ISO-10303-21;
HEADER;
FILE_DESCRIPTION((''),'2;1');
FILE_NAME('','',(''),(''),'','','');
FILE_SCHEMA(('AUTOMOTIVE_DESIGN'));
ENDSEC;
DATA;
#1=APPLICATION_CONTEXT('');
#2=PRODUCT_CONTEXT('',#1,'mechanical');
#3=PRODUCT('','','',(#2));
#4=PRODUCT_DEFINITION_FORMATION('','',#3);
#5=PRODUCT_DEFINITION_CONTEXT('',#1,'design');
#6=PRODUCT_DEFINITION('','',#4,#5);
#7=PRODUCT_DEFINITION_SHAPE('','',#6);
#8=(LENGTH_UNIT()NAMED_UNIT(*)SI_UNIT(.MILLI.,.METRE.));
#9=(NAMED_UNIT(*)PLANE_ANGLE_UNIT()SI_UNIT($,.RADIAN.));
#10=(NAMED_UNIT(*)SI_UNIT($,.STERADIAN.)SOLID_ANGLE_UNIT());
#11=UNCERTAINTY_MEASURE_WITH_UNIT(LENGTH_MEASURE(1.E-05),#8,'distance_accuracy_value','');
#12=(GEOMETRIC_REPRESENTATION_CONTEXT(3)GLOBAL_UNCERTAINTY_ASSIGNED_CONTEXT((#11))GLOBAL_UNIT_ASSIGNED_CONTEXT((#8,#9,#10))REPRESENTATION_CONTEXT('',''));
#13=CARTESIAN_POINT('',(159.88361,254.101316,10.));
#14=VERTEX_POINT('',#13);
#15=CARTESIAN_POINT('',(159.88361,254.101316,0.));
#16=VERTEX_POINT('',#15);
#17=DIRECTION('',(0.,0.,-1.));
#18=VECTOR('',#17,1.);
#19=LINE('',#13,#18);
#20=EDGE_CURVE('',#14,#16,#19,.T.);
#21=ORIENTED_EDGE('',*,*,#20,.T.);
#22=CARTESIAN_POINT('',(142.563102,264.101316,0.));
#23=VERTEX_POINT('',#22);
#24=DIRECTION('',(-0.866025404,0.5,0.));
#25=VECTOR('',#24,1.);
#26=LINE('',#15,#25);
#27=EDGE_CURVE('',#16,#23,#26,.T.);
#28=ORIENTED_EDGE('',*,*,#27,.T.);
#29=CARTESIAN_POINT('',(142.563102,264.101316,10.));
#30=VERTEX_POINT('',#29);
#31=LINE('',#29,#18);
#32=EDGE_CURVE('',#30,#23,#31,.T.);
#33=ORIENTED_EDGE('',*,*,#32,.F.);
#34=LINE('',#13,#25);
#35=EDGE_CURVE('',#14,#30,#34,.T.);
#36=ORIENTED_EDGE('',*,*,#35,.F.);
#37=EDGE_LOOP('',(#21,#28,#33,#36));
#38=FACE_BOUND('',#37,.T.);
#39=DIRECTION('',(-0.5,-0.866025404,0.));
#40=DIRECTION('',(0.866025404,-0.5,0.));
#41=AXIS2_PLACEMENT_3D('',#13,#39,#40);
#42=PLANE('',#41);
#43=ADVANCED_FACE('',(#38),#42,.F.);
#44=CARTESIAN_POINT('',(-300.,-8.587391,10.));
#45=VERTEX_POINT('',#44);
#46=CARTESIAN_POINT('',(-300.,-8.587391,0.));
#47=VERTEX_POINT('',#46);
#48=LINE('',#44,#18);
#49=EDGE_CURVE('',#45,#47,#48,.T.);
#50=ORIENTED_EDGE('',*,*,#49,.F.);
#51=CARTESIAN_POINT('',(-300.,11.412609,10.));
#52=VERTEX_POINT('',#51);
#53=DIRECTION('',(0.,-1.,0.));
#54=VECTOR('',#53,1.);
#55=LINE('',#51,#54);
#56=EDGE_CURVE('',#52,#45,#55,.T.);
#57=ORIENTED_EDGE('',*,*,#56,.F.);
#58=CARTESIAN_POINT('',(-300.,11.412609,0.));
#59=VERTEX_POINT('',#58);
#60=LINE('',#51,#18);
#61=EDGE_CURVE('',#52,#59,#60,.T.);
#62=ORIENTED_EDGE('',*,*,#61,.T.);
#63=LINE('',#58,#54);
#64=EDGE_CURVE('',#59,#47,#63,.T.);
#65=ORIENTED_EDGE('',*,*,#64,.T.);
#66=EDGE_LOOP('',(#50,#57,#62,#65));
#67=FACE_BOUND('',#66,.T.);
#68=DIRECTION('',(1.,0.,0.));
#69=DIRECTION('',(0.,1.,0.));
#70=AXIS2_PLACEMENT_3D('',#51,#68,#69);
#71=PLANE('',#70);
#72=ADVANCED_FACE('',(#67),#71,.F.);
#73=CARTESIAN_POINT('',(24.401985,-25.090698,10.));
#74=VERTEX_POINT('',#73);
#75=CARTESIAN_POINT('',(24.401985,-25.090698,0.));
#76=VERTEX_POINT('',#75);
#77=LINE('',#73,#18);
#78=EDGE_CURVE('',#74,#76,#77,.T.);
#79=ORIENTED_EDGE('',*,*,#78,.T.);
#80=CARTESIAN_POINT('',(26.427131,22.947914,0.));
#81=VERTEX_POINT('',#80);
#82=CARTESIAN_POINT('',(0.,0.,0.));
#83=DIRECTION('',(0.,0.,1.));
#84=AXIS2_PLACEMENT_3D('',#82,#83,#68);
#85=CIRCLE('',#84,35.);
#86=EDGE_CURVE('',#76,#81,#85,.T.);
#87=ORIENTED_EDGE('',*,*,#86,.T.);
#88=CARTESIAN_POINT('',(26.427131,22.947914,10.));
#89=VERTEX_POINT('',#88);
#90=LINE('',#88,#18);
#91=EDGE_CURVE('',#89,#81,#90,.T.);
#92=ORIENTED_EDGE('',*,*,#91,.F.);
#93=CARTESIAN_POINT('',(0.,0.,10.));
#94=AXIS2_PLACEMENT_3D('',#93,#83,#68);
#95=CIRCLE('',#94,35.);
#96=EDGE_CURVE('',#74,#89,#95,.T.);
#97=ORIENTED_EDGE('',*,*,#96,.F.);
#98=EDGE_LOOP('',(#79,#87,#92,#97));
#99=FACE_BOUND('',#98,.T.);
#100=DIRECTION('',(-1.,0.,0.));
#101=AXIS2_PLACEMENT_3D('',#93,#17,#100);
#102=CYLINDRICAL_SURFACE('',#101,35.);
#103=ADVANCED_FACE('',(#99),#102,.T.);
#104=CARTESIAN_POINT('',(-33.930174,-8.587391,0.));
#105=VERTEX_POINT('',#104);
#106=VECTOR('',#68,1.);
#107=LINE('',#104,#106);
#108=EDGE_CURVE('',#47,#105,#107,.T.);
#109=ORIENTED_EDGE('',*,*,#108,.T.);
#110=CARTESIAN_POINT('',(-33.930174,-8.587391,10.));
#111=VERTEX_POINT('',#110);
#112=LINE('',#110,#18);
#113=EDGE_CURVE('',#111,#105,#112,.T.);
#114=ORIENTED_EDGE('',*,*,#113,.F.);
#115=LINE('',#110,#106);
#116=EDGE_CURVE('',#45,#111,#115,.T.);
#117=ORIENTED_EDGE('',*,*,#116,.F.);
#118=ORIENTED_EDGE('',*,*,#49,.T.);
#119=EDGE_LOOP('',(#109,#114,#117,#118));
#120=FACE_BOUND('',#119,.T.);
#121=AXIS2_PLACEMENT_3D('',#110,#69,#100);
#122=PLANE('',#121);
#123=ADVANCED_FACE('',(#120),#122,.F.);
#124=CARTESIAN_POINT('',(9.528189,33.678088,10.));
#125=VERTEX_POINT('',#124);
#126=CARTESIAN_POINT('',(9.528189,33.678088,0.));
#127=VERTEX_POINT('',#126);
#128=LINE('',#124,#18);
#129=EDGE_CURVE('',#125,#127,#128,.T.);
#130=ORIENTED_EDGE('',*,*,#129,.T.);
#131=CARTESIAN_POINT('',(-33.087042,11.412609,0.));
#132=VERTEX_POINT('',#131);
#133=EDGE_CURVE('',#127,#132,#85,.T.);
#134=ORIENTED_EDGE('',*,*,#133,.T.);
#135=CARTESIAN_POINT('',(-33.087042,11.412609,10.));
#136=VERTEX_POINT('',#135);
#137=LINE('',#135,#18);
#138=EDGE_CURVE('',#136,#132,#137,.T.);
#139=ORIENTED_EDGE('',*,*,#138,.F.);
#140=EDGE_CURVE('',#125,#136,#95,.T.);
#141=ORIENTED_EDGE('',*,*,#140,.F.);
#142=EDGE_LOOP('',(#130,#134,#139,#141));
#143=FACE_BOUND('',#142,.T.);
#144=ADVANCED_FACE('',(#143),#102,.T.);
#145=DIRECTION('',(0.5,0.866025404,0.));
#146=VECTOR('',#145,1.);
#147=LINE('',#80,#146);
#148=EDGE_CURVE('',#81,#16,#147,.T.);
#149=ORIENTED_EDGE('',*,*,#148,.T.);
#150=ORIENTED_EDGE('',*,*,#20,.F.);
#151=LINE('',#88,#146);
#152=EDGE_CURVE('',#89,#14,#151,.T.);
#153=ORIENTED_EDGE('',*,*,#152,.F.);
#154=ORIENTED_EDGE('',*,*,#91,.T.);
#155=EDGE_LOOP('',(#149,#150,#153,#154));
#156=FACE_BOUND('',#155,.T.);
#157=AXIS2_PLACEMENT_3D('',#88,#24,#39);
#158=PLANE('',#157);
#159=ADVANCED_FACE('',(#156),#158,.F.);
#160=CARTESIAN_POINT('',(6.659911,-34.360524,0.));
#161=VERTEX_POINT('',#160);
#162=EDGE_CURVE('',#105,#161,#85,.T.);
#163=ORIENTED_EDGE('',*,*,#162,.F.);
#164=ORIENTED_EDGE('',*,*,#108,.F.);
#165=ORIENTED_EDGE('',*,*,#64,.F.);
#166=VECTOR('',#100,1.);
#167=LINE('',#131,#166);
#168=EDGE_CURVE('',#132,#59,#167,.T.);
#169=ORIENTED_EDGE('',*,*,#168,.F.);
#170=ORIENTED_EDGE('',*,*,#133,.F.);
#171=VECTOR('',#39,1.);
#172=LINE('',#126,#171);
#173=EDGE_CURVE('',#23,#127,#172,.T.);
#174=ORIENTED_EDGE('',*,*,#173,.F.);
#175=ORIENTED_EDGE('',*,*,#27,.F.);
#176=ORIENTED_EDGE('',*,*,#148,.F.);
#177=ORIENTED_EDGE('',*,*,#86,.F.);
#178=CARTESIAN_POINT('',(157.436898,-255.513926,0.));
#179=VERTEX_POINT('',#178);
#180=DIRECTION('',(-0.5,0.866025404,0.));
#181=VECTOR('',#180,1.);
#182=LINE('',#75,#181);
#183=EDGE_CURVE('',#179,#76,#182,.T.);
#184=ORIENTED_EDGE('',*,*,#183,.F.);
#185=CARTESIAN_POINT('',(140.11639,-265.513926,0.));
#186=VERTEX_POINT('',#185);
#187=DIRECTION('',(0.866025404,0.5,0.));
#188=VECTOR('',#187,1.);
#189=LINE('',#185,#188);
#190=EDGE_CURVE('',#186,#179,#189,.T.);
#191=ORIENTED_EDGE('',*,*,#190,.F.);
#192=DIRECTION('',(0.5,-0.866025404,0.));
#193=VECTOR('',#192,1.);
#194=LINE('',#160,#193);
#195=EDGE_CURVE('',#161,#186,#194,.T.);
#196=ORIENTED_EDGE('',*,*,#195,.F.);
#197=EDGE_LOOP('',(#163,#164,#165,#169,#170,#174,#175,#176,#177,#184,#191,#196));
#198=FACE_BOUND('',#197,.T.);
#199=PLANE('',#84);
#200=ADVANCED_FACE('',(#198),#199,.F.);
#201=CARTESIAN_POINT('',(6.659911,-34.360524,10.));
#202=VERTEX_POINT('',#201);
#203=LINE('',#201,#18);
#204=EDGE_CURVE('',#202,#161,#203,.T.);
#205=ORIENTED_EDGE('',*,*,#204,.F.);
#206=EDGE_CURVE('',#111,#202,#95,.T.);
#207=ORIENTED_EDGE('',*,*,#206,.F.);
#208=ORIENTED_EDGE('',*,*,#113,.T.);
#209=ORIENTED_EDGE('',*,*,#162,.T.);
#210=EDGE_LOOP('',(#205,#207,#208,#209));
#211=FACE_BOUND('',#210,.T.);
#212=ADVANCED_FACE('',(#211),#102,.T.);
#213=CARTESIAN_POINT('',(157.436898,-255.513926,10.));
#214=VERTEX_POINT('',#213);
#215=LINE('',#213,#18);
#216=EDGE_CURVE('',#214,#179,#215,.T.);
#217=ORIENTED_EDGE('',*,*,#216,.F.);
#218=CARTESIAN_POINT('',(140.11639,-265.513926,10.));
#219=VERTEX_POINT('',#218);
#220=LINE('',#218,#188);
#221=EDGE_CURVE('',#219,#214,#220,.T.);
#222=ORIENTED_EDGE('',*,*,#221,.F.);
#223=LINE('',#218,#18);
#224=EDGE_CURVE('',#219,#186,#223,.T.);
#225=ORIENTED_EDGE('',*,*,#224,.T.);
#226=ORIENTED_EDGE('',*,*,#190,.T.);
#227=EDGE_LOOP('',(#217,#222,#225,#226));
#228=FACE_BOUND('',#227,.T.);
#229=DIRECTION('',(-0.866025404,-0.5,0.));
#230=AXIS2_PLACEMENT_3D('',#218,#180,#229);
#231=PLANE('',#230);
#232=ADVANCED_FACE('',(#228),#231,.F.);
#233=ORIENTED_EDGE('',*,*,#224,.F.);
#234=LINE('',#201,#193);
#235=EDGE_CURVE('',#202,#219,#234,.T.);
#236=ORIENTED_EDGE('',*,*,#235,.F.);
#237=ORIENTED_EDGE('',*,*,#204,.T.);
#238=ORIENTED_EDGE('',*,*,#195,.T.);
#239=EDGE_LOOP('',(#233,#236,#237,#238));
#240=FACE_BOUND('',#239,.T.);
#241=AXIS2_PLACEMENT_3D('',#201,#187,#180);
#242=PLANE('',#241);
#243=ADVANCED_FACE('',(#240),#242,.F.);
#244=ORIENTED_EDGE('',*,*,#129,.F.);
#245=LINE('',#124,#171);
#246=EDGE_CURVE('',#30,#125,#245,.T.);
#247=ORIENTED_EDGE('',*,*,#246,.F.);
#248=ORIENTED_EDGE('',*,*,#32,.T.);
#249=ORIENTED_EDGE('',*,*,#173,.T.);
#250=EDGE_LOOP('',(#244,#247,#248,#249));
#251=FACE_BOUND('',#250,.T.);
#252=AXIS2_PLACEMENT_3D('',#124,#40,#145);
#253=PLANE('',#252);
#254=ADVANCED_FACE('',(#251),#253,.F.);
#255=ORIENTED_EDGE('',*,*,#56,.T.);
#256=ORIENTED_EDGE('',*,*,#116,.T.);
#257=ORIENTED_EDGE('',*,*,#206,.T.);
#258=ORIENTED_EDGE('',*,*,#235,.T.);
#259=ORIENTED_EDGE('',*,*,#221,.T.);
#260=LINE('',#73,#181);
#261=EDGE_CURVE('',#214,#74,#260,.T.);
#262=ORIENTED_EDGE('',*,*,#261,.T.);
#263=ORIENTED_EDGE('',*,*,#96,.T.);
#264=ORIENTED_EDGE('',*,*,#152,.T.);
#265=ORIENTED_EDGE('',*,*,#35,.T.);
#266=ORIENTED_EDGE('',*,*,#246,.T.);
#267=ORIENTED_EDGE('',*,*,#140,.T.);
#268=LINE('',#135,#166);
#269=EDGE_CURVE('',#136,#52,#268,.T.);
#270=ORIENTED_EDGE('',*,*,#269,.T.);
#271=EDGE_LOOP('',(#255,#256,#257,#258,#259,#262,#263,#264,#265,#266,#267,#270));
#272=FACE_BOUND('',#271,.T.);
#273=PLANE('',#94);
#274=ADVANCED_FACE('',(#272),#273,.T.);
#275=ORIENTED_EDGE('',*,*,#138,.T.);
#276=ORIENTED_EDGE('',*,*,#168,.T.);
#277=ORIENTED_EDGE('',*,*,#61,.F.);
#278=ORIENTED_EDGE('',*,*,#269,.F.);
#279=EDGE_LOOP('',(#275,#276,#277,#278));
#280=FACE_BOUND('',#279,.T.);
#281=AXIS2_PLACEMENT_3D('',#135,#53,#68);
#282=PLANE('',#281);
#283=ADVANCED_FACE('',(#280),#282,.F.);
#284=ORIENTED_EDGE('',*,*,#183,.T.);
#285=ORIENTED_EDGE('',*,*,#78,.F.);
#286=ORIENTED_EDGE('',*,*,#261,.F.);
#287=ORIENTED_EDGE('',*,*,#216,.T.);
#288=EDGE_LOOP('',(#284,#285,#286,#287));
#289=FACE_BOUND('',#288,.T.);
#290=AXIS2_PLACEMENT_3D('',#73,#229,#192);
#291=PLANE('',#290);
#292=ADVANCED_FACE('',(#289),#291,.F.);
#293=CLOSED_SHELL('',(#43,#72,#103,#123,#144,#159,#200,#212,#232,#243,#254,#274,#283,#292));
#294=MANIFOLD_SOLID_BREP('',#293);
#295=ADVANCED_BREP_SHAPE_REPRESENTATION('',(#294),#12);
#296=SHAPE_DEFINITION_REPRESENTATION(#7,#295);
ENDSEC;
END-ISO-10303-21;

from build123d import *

# Parameters (mm, degrees)
BOSS_EXTRUDE3_DEPTH = 10


with BuildPart() as part:
    # Sketch1 → Boss-Extrude3 (new body)
    with BuildSketch(Plane.XY):
        with BuildLine():
            Line((26.427130678, 22.947914156), (159.883609697, 254.101316416))
            Line((159.883609697, 254.101316416), (142.563101621, 264.101316416))
            Line((142.563101621, 264.101316416), (9.528188737, 33.67808812))
            ThreePointArc((9.528188737, 33.67808812), (-16.207799868, 31.021077084), (-33.087041962, 11.412609438))
            Line((-33.087041962, 11.412609438), (-300, 11.412609438))
            Line((-300, 11.412609438), (-300, -8.587390562))
            Line((-300, -8.587390562), (-33.930174231, -8.587390562))
            ThreePointArc((-33.930174231, -8.587390562), (-18.761140874, -29.546904967), (6.659911284, -34.360523595))
            Line((6.659911284, -34.360523595), (140.116390303, -265.513925854))
            Line((140.116390303, -265.513925854), (157.436898379, -255.513925854))
            Line((157.436898379, -255.513925854), (24.401985494, -25.090697558))
            ThreePointArc((24.401985494, -25.090697558), (34.968940741, -1.474172117), (26.427130678, 22.947914156))
        make_face()
    extrude(amount=BOSS_EXTRUDE3_DEPTH)


solid = part.part
